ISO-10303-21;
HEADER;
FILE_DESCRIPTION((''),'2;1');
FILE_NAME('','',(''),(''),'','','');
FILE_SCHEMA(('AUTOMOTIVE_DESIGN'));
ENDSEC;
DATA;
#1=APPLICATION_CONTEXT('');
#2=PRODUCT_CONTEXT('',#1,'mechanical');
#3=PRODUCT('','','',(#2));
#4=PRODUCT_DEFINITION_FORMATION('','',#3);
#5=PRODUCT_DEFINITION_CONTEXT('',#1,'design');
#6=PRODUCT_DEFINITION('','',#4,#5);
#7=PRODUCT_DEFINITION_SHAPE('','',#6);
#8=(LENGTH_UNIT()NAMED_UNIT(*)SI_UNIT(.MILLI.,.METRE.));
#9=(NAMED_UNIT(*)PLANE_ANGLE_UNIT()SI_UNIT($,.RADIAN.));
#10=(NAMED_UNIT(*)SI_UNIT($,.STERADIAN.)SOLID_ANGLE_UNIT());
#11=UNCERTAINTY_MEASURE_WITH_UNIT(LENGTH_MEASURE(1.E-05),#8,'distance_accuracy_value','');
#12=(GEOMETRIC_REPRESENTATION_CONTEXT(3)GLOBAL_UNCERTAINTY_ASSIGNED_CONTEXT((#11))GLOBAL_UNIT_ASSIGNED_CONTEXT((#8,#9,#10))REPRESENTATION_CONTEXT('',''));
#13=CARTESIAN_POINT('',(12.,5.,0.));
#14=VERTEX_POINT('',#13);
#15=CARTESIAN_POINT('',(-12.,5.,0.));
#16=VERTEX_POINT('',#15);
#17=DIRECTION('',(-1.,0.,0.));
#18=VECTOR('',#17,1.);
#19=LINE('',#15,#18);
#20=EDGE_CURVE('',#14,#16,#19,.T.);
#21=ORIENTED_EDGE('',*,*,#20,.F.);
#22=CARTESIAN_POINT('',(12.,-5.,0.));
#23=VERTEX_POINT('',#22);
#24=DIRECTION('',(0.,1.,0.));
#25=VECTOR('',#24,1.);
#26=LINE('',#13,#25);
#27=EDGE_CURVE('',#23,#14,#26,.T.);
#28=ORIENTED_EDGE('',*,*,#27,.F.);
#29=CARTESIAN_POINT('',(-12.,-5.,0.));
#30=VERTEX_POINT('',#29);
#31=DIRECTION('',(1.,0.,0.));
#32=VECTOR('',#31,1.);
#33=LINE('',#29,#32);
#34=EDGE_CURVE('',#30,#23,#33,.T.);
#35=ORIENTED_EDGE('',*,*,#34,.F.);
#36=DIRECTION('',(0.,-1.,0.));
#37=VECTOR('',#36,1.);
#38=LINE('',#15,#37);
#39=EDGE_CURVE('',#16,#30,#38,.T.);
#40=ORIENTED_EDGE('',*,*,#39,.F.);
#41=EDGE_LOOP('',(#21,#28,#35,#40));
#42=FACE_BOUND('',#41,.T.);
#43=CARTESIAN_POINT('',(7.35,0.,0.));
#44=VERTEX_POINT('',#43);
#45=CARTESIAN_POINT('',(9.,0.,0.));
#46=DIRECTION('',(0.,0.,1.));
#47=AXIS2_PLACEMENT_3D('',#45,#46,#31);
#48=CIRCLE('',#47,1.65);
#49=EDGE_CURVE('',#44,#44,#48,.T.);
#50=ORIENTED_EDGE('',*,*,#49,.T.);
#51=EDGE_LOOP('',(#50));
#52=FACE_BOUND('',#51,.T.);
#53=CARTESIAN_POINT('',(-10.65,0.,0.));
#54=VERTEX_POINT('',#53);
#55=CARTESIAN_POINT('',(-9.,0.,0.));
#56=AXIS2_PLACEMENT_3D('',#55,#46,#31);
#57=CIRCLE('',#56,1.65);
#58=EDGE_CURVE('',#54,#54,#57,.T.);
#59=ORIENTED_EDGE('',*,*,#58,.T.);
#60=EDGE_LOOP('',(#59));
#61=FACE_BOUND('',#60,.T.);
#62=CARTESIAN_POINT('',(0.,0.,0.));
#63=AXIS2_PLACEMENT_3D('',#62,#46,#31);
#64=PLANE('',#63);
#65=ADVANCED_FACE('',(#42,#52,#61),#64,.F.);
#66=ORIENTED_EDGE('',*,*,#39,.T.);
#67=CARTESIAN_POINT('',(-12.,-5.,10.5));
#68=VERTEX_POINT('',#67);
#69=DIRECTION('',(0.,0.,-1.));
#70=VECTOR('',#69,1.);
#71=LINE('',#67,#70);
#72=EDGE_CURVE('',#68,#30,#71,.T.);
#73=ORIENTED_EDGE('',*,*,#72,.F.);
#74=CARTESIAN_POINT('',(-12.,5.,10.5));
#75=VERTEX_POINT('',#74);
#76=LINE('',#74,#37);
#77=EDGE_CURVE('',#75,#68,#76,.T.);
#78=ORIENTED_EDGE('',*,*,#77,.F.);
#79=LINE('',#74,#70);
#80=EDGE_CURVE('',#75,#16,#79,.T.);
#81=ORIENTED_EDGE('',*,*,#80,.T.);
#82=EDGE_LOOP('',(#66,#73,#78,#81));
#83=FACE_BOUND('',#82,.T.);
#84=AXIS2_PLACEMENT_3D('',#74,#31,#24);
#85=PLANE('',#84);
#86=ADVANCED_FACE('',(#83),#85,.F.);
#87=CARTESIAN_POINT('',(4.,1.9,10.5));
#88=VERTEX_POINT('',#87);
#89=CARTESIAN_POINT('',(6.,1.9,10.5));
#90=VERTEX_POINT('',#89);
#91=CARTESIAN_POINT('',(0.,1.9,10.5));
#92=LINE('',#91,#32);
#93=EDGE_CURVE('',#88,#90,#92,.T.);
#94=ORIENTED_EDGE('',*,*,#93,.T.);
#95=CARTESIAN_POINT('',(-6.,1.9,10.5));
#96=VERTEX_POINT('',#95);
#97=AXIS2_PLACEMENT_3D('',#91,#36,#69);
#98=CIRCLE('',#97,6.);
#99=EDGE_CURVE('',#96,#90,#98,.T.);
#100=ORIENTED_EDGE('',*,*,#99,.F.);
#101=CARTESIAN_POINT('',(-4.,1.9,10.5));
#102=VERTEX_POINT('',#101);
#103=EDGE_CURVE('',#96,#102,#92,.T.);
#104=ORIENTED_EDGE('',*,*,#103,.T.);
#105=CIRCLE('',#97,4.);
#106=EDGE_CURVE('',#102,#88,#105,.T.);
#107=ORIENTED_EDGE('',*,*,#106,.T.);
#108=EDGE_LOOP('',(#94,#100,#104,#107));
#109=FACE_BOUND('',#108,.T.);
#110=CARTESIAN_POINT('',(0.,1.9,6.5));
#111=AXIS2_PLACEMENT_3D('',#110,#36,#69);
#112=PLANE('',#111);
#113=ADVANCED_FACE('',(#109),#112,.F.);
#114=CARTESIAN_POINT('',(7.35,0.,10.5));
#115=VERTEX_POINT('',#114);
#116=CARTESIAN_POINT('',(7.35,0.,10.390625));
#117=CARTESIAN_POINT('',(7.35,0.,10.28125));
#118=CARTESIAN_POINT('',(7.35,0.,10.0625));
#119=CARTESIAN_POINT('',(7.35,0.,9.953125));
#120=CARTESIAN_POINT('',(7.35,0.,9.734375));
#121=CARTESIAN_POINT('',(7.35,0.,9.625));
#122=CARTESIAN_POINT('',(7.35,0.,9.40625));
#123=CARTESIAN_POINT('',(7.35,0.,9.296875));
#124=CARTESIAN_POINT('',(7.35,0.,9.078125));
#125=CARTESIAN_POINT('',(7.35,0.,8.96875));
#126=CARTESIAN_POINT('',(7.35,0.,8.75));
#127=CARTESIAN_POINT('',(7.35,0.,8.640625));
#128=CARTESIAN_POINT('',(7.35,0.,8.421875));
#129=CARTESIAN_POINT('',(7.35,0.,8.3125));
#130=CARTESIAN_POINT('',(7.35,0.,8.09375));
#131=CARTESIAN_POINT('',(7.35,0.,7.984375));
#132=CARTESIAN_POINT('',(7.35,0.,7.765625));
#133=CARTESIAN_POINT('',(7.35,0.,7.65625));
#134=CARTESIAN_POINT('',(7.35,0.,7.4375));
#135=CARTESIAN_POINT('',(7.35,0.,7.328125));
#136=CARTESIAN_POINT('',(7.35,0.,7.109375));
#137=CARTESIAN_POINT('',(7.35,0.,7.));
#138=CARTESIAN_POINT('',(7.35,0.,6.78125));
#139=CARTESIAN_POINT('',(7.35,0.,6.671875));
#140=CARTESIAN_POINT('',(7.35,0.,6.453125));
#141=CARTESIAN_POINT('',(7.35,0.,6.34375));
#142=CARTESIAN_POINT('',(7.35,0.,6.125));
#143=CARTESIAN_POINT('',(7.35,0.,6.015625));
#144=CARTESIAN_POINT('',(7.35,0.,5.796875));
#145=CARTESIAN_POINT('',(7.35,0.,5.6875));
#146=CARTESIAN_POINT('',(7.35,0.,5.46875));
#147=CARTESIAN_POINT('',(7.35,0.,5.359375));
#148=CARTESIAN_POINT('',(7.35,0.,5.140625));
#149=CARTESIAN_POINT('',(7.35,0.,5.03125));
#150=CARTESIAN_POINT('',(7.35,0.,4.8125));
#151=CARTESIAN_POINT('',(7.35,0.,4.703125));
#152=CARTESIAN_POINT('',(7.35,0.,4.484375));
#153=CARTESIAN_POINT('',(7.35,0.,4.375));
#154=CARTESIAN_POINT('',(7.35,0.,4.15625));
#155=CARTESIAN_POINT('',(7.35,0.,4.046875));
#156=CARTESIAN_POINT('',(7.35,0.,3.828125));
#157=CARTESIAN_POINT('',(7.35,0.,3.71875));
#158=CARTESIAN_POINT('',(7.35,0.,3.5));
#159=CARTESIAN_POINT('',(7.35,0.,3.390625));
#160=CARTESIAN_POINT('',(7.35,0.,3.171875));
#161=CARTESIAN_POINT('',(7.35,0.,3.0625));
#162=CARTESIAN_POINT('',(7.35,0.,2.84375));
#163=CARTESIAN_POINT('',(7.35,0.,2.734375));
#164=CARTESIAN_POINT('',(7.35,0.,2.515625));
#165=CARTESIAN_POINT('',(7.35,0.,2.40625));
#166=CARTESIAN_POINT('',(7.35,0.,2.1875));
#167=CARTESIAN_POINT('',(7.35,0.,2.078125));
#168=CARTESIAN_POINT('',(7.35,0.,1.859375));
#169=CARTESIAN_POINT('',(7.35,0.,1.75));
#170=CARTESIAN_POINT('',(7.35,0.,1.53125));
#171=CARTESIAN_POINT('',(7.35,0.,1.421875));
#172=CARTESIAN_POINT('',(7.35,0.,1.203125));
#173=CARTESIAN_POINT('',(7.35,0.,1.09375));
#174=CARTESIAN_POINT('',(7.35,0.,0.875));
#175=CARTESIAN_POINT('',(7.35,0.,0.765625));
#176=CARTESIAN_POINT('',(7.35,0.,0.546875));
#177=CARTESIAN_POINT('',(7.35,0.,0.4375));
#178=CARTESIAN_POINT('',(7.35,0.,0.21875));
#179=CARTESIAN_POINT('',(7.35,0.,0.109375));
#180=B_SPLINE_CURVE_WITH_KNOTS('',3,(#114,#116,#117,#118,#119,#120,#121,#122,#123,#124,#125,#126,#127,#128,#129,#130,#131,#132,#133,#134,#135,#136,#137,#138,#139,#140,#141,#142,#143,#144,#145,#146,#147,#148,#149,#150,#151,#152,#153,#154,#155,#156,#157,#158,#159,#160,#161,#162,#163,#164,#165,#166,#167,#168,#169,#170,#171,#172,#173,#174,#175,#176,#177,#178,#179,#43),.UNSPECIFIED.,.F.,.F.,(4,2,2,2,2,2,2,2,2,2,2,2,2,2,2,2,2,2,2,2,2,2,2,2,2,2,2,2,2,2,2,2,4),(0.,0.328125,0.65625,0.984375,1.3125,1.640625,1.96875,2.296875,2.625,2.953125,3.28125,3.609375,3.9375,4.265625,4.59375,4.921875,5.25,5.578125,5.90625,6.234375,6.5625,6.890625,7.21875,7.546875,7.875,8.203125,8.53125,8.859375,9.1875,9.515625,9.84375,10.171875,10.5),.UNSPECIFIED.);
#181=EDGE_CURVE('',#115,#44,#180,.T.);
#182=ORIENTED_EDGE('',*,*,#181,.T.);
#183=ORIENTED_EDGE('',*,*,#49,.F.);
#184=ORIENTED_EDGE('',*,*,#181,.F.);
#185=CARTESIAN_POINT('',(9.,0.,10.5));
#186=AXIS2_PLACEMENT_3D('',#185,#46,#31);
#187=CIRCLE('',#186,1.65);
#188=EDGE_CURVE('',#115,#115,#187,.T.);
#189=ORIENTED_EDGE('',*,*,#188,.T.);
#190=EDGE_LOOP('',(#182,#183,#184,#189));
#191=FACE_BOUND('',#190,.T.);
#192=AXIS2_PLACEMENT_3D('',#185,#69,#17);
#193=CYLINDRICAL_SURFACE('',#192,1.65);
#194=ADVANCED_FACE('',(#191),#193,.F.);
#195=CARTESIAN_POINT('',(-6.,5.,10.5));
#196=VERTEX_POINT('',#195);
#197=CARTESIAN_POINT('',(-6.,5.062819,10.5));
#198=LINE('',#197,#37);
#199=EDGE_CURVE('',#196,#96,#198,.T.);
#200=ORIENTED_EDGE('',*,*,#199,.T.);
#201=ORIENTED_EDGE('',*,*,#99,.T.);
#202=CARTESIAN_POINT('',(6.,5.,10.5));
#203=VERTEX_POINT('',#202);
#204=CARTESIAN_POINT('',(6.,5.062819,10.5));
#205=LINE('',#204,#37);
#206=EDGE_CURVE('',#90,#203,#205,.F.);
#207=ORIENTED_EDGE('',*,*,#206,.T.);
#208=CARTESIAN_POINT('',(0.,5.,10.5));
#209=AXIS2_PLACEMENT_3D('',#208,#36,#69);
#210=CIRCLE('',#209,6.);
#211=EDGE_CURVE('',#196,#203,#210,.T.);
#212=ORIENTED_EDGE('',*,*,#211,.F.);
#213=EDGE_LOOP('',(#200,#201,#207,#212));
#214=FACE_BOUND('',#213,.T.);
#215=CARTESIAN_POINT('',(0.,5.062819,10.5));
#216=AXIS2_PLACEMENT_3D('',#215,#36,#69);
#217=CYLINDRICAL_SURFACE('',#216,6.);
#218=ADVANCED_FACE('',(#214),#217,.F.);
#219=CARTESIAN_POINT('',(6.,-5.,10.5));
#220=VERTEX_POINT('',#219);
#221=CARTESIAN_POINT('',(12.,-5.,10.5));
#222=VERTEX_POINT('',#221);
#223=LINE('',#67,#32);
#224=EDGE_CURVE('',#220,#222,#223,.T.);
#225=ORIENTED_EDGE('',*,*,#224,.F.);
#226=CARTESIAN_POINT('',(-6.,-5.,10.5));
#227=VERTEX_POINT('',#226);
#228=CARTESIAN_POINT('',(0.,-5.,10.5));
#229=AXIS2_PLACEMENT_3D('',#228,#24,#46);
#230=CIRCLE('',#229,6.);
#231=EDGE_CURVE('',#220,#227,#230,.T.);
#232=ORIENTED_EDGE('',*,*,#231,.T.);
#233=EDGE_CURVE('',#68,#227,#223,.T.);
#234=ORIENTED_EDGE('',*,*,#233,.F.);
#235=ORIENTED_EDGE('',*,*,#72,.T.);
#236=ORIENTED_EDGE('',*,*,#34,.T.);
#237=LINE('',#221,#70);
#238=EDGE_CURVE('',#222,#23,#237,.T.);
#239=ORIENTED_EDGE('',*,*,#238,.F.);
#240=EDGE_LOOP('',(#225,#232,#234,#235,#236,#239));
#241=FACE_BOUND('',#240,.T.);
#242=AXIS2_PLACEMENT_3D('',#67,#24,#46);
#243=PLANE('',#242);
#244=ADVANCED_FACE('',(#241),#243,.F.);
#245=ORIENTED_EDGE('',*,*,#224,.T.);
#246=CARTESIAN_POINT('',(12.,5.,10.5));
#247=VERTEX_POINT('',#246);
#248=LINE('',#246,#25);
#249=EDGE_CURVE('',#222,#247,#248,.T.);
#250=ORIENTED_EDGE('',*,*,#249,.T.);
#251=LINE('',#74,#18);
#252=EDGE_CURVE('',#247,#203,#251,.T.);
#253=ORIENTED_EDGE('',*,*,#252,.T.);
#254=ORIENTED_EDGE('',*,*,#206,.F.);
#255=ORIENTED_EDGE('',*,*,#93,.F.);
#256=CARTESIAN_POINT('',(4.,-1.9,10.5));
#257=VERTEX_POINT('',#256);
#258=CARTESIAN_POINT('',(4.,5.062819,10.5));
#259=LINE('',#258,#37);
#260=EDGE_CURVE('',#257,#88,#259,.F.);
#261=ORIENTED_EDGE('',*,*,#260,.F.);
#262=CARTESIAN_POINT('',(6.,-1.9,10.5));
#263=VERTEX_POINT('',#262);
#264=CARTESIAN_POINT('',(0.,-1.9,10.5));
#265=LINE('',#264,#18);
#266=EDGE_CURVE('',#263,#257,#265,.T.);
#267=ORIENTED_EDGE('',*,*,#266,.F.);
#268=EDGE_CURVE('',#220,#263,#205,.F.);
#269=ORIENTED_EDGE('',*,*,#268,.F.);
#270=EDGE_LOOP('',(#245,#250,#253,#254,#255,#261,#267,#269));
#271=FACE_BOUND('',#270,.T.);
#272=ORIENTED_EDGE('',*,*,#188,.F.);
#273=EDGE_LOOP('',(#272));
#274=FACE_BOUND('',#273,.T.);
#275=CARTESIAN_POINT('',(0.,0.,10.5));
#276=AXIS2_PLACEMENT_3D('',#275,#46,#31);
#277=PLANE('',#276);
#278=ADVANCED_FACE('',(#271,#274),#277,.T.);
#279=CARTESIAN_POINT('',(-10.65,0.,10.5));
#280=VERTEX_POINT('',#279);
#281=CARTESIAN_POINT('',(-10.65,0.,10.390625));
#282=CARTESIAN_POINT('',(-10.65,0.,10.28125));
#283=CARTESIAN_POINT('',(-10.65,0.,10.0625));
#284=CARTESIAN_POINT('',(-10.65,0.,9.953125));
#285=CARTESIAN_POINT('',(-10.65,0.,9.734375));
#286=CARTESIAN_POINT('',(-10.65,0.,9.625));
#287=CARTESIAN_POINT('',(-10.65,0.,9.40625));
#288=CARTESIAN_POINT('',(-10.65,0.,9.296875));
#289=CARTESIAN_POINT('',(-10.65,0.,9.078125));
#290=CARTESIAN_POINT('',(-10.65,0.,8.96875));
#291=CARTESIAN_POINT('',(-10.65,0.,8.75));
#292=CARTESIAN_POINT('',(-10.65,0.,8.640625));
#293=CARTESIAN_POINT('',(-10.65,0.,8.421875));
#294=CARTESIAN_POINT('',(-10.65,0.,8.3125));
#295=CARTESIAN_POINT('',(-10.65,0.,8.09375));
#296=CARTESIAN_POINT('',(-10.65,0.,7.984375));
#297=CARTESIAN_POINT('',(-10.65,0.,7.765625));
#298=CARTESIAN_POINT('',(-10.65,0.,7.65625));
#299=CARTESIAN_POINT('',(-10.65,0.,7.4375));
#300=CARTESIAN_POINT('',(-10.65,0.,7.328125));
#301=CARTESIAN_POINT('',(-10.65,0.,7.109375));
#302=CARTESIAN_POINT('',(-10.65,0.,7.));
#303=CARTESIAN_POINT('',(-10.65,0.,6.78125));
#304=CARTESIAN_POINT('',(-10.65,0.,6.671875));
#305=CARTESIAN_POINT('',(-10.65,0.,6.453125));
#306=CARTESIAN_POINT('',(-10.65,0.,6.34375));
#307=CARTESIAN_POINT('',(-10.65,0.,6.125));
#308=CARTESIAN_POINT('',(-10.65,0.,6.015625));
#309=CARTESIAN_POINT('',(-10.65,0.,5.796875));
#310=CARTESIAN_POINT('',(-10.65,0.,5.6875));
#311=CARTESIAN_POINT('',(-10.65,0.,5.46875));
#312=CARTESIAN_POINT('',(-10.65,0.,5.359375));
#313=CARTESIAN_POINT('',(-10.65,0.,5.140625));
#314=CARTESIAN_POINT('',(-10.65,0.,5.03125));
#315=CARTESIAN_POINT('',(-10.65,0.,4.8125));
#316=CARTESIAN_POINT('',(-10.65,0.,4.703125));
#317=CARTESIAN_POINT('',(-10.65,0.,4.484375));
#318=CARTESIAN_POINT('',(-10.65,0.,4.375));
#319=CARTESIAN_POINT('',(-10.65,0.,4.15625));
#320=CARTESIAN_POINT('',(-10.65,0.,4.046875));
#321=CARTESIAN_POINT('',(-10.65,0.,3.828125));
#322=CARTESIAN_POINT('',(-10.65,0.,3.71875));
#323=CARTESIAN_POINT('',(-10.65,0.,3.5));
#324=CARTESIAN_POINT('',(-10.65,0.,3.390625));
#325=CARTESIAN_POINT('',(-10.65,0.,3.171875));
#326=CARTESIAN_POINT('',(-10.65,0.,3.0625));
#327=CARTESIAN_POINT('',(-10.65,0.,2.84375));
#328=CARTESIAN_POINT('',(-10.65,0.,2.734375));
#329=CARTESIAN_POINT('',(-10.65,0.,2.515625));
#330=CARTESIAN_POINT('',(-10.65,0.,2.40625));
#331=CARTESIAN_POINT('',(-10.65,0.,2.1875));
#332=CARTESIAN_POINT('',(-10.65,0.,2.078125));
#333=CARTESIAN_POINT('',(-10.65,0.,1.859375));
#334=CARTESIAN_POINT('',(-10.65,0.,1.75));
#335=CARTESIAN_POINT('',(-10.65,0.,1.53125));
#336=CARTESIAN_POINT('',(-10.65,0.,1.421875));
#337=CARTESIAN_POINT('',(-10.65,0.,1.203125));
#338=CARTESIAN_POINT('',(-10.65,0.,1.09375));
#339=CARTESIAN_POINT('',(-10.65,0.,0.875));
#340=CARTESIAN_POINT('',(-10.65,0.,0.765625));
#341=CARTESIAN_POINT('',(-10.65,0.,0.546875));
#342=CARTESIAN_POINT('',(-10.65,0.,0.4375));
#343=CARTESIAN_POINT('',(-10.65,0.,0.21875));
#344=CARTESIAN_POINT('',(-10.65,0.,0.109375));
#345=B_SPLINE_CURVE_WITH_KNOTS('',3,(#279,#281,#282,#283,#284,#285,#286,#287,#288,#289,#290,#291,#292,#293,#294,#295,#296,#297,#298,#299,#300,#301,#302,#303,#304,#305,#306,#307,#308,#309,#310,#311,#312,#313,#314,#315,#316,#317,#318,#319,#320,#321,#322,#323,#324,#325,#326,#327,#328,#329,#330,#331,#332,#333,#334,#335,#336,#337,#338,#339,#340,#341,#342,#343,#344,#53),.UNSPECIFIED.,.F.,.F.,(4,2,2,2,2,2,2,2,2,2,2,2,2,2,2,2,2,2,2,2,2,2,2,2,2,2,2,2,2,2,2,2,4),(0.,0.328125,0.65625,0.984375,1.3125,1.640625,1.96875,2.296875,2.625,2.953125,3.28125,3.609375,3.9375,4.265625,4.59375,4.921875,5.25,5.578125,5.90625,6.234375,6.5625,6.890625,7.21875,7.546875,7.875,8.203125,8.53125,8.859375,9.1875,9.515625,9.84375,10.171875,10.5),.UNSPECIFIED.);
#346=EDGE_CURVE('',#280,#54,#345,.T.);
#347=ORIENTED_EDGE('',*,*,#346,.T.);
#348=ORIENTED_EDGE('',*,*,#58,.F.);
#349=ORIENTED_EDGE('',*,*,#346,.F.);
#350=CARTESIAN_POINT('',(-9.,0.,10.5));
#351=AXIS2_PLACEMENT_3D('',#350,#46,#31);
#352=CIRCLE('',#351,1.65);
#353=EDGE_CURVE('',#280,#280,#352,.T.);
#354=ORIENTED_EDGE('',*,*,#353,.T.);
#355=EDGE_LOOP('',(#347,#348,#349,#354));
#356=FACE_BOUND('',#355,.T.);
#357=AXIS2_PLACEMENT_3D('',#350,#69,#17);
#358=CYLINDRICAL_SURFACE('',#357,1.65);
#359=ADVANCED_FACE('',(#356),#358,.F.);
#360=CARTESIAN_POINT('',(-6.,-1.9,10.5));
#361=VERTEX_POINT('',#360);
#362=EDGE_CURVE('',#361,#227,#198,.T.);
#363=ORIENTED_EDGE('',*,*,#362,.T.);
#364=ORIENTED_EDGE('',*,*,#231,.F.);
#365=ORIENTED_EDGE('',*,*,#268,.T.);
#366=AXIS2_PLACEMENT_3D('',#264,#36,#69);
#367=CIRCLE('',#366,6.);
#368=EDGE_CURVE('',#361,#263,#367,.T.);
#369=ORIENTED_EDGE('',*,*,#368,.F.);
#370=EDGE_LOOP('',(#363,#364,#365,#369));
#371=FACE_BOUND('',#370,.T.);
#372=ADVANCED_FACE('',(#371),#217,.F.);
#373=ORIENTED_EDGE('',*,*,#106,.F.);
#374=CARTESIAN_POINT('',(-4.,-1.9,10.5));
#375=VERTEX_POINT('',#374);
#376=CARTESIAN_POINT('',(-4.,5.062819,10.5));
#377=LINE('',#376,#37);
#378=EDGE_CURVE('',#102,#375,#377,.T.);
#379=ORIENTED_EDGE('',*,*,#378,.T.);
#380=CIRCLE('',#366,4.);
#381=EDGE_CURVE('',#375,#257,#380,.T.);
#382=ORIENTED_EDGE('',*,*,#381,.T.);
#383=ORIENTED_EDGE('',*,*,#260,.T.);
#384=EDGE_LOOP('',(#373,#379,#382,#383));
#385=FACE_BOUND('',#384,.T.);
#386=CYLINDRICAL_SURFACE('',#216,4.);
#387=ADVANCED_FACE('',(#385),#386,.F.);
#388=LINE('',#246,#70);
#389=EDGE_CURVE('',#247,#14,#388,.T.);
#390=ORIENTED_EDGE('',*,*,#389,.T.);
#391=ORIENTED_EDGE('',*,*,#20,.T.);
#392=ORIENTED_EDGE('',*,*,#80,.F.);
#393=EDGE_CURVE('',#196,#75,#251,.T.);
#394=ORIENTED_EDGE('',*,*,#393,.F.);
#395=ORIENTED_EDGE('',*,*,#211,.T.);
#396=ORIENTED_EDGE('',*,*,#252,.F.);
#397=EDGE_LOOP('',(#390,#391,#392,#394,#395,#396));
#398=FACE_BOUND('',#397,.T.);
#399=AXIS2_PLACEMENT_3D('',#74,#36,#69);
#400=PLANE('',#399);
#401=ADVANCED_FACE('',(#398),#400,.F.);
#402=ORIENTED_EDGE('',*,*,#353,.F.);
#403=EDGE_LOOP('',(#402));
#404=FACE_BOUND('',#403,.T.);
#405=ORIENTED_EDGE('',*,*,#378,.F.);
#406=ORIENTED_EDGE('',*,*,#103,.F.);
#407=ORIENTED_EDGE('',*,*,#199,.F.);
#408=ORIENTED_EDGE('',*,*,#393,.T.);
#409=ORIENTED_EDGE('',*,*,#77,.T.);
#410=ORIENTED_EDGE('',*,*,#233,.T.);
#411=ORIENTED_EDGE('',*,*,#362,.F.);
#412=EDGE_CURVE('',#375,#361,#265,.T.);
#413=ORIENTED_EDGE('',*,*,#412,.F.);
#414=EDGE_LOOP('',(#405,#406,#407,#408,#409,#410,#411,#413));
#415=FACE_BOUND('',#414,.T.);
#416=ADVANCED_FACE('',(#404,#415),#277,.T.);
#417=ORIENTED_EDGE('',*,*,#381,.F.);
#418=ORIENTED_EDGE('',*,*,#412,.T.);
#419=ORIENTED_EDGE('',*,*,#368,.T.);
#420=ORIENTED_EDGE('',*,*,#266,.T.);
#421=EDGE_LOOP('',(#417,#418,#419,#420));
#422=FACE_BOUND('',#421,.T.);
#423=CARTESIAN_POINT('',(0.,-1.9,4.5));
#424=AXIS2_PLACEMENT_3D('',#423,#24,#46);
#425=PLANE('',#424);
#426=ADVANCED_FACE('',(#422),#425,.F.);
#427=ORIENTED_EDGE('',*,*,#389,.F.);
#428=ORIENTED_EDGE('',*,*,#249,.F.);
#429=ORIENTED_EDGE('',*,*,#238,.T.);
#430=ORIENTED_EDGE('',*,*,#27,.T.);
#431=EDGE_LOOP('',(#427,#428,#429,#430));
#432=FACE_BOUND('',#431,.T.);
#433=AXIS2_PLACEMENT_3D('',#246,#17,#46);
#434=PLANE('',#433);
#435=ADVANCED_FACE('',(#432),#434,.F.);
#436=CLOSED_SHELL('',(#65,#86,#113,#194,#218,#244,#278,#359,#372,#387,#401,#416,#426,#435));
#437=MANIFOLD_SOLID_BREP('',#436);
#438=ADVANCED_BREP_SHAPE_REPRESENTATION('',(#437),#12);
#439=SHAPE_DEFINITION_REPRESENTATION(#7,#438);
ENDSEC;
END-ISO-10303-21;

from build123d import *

# Parameters (mm, degrees)
CROQUIS1_W              = 24
CROQUIS1_H              = 10
CROQUIS1_R              = 1.65
SALIENTE_EXTRUIR1_DEPTH = 10.5


with BuildPart() as part:
    # Croquis1 → Saliente-Extruir1 (new body)
    with BuildSketch(Plane.XY):
        Rectangle(CROQUIS1_W, CROQUIS1_H)
        with Locations(Location((-9, 0, 0), (0, 0, 180))):
            Circle(CROQUIS1_R, mode=Mode.SUBTRACT)
        with Locations(Location((9, 0, 0), (0, 0, 180))):
            Circle(CROQUIS1_R, mode=Mode.SUBTRACT)
    extrude(amount=SALIENTE_EXTRUIR1_DEPTH)

    # Croquis2 → Cortar-Revolución1 (revolve, cut)
    with BuildSketch(Plane(origin=(0, 0, 0), x_dir=(0, 0, -1), z_dir=(1, 0, 0))):
        Polygon((-6.5, 1.9), (-6.5, -1.9), (-4.5, -1.9), (-4.5, -5), (-10.5, -5), (-10.5, 5), (-4.5, 5), (-4.5, 1.9), align=None)
    revolve(axis=Axis((0, 5.062819344, 10.5), (0, 1, 0)), mode=Mode.SUBTRACT)


solid = part.part
